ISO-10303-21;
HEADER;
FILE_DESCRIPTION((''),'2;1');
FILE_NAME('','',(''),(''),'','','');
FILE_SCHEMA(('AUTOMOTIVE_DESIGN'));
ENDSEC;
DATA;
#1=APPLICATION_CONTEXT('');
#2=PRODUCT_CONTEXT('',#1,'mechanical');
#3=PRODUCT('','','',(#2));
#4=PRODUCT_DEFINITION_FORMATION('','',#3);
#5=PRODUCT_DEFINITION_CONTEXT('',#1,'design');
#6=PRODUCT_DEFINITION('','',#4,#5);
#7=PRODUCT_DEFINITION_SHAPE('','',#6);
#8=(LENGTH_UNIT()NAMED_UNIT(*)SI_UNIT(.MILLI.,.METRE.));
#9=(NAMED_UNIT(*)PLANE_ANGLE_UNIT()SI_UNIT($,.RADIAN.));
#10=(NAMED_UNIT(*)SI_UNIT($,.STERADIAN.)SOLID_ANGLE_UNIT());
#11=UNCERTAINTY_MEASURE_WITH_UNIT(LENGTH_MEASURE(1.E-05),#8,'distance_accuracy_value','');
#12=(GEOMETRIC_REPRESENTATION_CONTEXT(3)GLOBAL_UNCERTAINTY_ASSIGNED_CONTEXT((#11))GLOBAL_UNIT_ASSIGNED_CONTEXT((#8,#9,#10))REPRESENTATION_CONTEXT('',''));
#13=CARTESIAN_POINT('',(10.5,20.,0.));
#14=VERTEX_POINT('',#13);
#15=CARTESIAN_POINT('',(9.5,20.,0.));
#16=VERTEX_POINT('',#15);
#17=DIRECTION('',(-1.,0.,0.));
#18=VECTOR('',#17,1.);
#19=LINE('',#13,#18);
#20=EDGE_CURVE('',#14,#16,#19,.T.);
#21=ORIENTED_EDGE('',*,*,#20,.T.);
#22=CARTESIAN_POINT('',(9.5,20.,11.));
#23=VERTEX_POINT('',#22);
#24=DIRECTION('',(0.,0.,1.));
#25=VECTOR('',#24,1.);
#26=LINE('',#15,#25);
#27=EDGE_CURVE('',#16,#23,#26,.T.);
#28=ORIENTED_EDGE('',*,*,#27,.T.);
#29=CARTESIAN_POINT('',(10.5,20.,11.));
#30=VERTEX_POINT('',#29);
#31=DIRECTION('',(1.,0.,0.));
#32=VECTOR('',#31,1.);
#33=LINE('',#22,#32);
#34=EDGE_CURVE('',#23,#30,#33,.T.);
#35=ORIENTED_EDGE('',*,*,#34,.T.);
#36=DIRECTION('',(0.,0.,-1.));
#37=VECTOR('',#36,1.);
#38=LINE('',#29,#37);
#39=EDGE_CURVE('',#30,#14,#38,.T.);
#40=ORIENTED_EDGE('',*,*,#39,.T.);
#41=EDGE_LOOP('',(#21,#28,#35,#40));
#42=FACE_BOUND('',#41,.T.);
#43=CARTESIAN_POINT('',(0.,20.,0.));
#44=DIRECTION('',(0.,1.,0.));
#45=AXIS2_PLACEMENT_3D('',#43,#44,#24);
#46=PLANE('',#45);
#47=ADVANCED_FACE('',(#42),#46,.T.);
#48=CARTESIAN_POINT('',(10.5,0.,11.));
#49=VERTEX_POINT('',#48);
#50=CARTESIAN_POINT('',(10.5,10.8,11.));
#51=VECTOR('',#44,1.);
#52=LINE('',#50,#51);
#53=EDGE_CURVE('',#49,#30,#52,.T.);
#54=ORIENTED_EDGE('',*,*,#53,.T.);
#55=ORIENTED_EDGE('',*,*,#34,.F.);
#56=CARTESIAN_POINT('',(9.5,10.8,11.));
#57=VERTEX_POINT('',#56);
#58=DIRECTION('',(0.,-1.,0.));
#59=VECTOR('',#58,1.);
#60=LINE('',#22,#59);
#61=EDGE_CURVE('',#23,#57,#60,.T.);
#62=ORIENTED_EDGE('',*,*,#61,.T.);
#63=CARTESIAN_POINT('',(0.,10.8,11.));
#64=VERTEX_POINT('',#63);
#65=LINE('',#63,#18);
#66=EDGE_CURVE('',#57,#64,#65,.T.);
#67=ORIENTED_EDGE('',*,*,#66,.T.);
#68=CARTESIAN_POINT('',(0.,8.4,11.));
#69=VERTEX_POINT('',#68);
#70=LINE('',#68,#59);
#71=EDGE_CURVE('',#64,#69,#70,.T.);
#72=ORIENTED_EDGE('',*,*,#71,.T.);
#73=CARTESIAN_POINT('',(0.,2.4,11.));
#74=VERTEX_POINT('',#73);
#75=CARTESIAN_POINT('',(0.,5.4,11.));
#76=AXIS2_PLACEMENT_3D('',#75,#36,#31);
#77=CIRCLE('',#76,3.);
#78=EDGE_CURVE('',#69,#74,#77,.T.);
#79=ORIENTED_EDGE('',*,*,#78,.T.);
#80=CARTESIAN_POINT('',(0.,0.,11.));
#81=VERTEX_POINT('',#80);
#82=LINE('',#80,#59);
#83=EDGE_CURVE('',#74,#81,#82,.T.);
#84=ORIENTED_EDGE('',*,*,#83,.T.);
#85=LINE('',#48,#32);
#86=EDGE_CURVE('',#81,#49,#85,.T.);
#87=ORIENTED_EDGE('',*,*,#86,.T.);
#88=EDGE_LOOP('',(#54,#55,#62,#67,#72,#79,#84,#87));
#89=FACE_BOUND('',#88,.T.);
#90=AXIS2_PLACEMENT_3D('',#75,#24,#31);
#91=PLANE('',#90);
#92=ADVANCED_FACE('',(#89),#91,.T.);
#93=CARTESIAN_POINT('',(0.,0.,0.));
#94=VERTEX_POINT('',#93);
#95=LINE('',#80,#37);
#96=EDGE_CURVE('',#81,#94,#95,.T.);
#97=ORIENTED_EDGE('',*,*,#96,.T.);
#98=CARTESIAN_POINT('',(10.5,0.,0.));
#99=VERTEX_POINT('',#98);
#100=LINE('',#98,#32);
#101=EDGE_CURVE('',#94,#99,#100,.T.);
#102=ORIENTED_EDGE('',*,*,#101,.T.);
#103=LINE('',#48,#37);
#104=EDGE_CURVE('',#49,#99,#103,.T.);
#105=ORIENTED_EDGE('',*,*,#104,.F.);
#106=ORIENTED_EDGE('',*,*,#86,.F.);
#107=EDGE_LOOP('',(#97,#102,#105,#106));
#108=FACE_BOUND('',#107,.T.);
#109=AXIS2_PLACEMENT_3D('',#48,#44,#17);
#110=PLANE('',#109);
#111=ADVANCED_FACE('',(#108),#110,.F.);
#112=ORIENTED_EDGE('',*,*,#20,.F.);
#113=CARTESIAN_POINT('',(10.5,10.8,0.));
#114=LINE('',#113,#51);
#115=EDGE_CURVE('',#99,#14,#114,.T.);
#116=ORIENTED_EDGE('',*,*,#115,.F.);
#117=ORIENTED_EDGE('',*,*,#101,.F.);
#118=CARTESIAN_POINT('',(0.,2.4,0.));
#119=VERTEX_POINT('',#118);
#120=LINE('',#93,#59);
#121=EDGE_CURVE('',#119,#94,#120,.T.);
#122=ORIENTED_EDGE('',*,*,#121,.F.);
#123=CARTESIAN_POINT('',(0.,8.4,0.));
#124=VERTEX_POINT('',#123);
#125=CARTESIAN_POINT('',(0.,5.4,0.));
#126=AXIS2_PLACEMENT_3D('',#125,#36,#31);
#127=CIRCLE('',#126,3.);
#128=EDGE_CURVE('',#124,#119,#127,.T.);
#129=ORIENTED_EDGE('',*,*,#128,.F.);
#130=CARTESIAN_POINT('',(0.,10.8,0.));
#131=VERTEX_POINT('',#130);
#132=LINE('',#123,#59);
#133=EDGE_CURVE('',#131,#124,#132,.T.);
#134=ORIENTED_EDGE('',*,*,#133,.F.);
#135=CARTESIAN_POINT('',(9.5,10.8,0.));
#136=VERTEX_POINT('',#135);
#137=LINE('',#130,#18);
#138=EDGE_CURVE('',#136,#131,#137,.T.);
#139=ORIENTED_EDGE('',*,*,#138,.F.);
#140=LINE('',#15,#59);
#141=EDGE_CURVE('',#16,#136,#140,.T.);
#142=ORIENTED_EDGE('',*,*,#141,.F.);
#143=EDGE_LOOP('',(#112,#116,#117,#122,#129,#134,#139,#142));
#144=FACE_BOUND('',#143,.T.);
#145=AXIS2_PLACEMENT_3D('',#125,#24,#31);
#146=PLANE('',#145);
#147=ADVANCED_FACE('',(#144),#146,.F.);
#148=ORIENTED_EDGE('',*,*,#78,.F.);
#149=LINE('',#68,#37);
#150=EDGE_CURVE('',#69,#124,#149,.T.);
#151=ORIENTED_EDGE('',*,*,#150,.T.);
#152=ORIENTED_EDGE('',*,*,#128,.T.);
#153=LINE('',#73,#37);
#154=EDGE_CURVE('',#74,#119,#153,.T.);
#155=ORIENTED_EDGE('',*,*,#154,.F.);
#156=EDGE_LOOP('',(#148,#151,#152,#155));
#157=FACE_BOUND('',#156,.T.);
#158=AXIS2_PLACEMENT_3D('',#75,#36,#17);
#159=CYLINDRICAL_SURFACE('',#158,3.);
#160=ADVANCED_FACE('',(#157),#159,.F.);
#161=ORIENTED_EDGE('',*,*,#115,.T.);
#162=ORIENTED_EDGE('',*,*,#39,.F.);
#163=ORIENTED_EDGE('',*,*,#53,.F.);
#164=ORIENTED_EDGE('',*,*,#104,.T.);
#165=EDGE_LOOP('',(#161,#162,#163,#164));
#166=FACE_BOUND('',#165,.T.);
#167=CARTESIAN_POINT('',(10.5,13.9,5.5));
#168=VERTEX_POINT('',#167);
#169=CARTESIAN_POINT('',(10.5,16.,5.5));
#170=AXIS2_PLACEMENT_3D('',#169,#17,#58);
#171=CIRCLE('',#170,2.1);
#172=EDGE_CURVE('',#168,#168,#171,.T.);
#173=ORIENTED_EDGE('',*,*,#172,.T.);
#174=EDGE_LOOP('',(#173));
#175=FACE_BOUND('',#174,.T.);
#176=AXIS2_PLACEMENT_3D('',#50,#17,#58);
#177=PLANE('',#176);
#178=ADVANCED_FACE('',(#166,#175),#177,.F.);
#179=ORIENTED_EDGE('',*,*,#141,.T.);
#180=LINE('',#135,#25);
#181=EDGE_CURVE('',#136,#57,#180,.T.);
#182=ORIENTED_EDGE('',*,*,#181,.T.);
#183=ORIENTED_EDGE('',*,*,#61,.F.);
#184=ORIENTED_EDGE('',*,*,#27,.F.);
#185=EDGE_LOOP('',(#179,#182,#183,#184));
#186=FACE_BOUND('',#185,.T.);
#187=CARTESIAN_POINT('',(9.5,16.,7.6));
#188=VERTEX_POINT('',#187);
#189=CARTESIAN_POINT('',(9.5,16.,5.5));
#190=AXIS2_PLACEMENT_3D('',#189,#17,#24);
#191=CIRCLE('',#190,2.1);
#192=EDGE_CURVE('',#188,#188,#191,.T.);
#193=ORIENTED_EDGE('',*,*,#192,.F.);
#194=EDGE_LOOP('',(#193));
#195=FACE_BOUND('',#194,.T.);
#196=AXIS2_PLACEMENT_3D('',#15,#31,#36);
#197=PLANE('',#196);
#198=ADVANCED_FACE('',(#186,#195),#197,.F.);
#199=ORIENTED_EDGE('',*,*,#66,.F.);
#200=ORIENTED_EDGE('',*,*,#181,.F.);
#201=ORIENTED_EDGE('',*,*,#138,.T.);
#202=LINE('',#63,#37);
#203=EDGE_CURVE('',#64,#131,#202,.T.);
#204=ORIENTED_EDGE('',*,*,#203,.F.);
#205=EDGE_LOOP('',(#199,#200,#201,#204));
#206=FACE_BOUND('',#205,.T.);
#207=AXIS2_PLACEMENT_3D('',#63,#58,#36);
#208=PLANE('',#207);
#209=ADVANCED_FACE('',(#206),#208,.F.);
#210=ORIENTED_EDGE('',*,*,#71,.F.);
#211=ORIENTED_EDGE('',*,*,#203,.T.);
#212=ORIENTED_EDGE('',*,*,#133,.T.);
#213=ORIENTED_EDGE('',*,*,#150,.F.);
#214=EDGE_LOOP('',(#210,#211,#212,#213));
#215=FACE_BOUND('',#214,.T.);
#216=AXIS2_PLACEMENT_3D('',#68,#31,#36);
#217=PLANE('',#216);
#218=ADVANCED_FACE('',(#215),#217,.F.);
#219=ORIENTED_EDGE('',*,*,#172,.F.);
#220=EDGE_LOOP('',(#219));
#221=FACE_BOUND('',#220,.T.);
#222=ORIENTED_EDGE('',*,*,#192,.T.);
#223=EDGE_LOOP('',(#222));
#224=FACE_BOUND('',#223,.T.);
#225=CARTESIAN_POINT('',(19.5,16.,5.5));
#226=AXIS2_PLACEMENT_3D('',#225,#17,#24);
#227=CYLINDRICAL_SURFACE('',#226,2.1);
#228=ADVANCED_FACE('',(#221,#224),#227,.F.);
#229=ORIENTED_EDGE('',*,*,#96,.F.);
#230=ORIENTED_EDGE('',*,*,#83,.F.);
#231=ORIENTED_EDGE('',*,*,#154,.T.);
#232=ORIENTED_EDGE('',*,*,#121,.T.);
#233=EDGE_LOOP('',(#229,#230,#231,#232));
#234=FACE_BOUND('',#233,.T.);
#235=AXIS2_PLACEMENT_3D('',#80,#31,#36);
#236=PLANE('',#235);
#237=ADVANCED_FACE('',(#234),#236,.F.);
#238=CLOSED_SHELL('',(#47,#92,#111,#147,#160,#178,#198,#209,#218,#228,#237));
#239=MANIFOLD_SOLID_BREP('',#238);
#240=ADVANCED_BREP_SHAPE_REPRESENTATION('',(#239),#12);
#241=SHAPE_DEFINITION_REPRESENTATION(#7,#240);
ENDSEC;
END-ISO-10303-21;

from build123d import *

# Parameters (mm, degrees)
BOSS_EXTRUDE1_DEPTH = 11
SKETCH2_W           = 1
SKETCH2_H           = 11
BOSS_EXTRUDE2_DEPTH = 9.2
SKETCH3_R           = 2.1
CUT_EXTRUDE1_DEPTH  = 10


with BuildPart() as part:
    # Sketch1 → Boss-Extrude1 (new body)
    with BuildSketch(Plane.XY):
        with BuildLine():
            Line((0, 0), (0, 2.4))
            ThreePointArc((0, 2.4), (3, 5.4), (0, 8.4))
            Line((0, 8.4), (0, 10.8))
            Line((0, 10.8), (10.5, 10.8))
            Line((10.5, 10.8), (10.5, 0))
            Line((10.5, 0), (0, 0))
        make_face()
    extrude(amount=BOSS_EXTRUDE1_DEPTH)

    # Sketch2 → Boss-Extrude2 (add)
    with BuildSketch(Plane(origin=(0, 10.8, 0), x_dir=(1, 0, 0), z_dir=(0, 1, 0))):
        with Locations((10, -5.5)):
            Rectangle(SKETCH2_W, SKETCH2_H)
    extrude(amount=BOSS_EXTRUDE2_DEPTH)

    # Sketch3 → Cut-Extrude1 (cut)
    with BuildSketch(Plane.ZY.offset(-9.5)):
        with Locations((5.5, 16)):
            Circle(SKETCH3_R)
    extrude(amount=-CUT_EXTRUDE1_DEPTH, mode=Mode.SUBTRACT)


solid = part.part
